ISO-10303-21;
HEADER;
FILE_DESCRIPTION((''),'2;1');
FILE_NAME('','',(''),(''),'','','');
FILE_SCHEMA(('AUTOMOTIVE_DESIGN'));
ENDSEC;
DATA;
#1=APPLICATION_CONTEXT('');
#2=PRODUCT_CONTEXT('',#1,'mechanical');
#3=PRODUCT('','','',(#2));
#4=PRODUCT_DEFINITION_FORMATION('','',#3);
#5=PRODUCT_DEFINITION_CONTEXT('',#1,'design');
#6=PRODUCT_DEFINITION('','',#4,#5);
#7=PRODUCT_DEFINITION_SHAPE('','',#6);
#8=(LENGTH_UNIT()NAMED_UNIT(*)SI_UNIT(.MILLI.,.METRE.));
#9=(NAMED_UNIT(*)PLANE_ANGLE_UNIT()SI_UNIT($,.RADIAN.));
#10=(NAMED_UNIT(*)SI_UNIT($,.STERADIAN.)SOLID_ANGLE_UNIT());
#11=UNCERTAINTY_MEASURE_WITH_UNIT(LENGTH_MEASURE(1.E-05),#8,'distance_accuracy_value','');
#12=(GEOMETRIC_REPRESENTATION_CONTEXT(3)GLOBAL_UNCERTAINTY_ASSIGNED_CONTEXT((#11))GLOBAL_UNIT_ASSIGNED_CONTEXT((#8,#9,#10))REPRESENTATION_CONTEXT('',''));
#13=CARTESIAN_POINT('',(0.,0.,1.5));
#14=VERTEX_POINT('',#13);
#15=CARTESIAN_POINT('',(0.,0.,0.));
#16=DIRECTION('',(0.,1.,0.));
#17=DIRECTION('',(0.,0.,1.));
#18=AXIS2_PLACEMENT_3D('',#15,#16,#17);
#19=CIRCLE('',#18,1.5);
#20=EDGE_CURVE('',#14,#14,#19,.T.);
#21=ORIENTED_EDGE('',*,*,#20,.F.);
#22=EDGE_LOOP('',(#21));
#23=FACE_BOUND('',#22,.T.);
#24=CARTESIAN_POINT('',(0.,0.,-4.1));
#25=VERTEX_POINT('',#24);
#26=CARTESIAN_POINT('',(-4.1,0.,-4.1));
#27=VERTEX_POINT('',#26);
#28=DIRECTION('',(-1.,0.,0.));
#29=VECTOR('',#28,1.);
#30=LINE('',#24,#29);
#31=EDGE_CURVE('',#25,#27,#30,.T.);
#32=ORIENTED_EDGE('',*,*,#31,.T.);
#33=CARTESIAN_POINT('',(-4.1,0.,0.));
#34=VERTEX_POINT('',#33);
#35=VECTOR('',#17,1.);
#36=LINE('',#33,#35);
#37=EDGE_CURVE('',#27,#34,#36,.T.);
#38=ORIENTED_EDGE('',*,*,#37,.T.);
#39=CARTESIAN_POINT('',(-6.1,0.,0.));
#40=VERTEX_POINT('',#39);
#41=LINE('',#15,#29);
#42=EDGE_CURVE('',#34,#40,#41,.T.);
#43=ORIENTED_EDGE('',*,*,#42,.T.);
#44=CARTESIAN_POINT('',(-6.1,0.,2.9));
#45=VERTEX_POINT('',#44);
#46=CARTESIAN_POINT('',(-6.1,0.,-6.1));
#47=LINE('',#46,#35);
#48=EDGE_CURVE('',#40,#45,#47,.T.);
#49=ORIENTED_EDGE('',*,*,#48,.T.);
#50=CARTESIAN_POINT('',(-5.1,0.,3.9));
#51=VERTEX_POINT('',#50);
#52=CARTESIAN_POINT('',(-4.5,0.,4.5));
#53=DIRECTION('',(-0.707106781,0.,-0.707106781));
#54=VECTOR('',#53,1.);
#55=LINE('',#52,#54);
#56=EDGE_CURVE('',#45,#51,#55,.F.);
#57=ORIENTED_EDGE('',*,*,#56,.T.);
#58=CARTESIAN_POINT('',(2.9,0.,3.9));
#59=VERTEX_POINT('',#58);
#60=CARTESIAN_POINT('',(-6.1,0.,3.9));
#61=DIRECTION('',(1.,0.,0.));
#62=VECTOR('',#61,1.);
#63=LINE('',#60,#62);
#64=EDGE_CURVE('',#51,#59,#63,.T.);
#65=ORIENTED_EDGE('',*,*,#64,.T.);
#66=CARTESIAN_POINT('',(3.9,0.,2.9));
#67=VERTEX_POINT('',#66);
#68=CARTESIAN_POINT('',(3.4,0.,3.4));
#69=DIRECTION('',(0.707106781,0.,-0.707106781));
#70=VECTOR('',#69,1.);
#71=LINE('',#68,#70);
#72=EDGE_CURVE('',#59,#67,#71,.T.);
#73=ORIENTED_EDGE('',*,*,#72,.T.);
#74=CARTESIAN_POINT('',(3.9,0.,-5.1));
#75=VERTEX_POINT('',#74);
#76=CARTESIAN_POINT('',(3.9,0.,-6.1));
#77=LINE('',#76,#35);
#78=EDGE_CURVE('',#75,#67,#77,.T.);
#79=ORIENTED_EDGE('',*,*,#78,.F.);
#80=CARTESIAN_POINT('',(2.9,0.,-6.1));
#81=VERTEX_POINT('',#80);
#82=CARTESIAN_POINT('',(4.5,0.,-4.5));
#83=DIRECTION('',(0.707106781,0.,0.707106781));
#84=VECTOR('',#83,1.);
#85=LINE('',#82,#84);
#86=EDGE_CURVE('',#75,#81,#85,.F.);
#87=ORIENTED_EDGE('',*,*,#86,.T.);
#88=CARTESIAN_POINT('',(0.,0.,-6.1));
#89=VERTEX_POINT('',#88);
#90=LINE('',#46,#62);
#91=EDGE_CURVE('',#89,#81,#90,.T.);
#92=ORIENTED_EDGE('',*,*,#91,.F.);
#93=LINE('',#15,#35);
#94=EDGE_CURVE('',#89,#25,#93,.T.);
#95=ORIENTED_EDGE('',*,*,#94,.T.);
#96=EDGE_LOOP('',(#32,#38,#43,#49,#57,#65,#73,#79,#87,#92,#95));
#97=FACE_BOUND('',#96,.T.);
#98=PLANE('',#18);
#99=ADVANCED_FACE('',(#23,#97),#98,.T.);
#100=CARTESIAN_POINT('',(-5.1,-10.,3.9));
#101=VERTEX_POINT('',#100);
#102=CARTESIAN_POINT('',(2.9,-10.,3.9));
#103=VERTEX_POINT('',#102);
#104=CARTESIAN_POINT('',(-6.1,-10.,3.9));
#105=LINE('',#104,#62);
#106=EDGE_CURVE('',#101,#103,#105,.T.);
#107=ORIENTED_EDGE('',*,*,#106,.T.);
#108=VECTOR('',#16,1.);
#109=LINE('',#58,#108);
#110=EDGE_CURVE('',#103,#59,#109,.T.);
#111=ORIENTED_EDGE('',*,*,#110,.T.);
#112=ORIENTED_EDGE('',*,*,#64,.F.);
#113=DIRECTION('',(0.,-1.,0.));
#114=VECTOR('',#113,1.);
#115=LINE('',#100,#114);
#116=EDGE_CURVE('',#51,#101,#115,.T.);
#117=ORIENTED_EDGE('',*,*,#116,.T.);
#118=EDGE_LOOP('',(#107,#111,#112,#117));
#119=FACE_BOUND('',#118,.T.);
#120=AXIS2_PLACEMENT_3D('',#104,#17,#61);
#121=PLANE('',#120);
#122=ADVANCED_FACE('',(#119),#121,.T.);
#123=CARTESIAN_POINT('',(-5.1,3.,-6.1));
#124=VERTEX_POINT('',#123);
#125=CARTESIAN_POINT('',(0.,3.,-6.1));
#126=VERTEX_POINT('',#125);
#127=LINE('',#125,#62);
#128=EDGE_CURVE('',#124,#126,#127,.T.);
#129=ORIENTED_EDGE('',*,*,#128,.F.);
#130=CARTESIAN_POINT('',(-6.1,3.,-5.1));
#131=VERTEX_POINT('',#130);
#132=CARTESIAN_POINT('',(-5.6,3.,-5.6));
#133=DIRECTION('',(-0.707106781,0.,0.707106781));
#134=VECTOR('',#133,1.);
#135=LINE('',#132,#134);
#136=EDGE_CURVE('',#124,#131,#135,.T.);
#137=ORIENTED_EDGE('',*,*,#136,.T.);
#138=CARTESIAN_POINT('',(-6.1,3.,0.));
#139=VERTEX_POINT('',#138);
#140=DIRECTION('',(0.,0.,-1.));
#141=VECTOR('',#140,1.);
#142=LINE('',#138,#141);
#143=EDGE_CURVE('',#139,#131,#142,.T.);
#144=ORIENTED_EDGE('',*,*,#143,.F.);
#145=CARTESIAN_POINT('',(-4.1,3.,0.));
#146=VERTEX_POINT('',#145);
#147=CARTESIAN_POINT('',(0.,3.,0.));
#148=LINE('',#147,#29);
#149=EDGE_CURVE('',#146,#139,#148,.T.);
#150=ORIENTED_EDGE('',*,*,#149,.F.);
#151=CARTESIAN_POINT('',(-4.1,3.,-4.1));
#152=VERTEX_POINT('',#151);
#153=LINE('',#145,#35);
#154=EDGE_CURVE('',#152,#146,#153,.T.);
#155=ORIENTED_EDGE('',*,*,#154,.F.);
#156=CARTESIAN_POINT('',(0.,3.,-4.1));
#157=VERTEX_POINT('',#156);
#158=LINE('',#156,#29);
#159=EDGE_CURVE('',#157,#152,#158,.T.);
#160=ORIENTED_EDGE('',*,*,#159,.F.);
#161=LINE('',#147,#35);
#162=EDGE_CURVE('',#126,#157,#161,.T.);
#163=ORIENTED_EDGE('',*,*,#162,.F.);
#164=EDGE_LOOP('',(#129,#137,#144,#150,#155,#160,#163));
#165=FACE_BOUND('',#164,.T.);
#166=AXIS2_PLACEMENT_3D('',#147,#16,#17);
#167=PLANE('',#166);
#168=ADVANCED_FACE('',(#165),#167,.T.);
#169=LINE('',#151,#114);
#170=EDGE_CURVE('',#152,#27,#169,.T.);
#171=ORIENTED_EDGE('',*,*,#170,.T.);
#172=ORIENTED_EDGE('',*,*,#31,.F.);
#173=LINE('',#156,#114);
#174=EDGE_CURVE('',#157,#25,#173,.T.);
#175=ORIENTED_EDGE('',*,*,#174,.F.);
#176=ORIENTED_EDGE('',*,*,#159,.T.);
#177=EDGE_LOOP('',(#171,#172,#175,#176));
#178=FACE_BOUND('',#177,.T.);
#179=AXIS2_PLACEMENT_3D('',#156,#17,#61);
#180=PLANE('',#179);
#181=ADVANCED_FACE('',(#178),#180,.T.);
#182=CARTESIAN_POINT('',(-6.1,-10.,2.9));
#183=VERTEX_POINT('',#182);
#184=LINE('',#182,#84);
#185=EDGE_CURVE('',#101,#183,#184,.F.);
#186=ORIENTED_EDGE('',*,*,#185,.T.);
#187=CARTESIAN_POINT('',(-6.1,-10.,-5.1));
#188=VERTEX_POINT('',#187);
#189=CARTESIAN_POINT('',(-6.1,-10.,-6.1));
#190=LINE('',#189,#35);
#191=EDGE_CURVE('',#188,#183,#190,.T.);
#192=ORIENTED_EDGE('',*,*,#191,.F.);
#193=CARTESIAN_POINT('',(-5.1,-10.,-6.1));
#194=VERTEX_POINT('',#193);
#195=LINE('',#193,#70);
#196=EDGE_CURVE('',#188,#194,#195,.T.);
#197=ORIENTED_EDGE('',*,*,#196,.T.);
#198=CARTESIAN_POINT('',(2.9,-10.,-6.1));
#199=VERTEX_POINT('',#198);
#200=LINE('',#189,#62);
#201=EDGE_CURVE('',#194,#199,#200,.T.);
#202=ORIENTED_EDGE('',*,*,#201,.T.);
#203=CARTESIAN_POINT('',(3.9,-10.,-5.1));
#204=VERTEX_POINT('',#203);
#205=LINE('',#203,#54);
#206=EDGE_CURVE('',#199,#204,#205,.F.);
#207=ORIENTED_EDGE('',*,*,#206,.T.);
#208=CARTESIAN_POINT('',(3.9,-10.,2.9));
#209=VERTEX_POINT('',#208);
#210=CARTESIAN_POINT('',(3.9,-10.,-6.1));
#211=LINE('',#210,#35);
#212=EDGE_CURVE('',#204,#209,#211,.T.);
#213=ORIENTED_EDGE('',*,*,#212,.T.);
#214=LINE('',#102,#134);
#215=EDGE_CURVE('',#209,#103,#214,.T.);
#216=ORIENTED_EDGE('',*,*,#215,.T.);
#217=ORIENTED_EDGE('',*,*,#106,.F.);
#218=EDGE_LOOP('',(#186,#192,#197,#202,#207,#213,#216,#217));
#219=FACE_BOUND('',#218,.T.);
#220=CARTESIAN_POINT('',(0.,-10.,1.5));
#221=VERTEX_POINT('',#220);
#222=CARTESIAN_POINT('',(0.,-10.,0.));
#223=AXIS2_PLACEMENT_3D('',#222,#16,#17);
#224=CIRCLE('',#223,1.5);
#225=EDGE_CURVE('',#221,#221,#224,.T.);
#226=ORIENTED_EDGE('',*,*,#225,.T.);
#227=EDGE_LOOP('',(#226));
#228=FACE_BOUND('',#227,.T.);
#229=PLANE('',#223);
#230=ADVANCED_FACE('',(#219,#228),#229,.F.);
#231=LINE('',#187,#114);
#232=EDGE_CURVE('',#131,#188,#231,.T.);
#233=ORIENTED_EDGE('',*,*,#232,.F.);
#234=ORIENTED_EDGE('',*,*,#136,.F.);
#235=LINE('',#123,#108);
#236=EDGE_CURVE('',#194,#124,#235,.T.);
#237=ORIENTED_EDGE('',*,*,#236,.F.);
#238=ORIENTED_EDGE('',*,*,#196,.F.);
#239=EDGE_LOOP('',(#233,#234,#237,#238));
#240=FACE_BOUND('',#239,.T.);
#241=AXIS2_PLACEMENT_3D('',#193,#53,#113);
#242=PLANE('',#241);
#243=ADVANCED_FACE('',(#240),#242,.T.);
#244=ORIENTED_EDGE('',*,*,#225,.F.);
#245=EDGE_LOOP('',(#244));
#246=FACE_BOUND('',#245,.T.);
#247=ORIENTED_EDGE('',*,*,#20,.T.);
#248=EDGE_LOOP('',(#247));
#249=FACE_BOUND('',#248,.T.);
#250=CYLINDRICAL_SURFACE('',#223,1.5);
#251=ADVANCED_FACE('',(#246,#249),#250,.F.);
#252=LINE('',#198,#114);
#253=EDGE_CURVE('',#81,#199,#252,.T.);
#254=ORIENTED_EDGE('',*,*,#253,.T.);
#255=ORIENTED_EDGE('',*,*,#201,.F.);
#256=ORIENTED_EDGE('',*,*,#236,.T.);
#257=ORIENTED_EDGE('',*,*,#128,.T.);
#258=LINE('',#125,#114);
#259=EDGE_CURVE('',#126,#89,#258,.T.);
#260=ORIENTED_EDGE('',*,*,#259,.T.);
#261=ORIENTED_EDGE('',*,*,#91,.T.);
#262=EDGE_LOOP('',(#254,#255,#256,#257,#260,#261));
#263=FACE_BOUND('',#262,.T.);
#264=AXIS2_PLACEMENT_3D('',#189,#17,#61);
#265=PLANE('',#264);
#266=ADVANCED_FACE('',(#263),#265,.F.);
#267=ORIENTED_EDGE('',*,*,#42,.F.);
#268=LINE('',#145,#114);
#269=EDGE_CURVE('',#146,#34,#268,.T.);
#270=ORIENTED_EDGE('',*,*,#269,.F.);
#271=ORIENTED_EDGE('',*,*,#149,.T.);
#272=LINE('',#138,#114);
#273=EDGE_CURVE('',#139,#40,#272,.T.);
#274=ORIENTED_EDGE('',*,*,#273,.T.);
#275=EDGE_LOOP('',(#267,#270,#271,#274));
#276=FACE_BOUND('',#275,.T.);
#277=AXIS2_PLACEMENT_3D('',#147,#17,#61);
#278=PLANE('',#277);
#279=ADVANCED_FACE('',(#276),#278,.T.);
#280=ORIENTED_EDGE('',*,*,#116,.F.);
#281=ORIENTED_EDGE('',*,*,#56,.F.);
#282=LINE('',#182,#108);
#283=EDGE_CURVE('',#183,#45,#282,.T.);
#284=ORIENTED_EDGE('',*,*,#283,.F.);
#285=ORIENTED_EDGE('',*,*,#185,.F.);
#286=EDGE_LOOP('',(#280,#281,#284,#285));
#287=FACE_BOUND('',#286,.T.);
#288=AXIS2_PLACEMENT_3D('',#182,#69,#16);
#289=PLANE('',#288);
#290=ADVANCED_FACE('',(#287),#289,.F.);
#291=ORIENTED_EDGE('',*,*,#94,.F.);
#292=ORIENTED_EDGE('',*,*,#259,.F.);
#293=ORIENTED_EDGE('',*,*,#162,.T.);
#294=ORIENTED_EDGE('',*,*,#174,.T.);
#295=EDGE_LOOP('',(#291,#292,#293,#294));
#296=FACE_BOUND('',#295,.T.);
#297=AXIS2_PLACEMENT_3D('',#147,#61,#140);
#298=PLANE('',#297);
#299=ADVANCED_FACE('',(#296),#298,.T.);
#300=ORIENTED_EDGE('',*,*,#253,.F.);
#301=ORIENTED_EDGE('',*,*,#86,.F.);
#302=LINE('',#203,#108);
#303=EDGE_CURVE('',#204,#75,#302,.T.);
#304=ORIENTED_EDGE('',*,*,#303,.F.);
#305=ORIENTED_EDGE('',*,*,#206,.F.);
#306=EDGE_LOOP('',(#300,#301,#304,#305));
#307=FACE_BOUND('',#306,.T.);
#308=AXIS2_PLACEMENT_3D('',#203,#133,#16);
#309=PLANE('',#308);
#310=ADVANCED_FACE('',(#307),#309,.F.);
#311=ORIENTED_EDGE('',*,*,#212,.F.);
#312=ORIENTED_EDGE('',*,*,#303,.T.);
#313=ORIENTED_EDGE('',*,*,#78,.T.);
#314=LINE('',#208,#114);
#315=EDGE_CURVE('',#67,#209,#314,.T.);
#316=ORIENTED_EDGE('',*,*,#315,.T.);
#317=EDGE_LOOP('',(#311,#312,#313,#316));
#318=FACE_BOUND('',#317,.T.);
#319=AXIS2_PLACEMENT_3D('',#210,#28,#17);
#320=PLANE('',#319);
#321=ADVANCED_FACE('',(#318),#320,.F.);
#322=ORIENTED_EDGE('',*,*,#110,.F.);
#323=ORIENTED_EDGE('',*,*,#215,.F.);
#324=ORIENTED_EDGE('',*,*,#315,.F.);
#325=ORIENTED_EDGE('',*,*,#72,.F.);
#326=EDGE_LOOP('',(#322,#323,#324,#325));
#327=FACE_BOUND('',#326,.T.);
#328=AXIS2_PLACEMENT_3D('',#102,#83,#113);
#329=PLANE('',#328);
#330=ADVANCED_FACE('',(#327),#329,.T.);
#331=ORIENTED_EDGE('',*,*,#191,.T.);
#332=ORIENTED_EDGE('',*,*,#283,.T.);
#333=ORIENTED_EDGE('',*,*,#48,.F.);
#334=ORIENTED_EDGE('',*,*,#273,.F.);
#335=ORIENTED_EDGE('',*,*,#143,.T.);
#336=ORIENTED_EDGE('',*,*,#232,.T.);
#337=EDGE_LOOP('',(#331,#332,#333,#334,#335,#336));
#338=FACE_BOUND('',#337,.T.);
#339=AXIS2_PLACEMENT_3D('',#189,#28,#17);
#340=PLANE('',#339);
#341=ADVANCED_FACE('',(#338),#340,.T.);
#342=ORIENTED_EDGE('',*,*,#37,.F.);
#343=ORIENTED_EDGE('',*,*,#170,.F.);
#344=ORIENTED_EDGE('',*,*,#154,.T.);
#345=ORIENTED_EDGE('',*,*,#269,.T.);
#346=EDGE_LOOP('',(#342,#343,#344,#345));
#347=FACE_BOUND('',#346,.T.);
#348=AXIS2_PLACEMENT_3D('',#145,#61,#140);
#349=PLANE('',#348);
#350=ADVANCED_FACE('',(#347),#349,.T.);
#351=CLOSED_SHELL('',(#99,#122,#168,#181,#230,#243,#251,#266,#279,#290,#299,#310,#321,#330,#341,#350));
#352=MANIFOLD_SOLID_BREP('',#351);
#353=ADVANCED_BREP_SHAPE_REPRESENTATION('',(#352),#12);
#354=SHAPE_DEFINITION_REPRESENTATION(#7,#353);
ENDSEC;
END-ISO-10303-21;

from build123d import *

# Parameters (mm, degrees)
SKETCH1_W           = 10
SKETCH1_H           = 10
BOSS_EXTRUDE1_DEPTH = 10
BOSS_EXTRUDE2_DEPTH = 3
CHAMFER1_SIZE       = 1
SKETCH1_4_R         = 1.5
CUT_EXTRUDE1_DEPTH  = 14.206816422


with BuildPart() as part:
    # Sketch1 → Boss-Extrude1 (new body)
    with BuildSketch(Plane(origin=(0, 0, 0), x_dir=(1, 0, 0), z_dir=(0, 1, 0))):
        with Locations((-1.1, 1.1)):
            Rectangle(SKETCH1_W, SKETCH1_H)
    extrude(amount=-BOSS_EXTRUDE1_DEPTH)

    # Sketch1<3> → Boss-Extrude2 (add)
    with BuildSketch(Plane(origin=(0, 0, 0), x_dir=(1, 0, 0), z_dir=(0, 1, 0))):
        Polygon((-4.1, 4.1), (0, 4.1), (0, 6.1), (-6.1, 6.1), (-6.1, 0), (-4.1, 0), align=None)
    extrude(amount=BOSS_EXTRUDE2_DEPTH)

    # Chamfer1
    chamfer1_edges = [part.edges().sort_by_distance(p)[0] for p in [
        (-6.1, -3.5, -6.1),
        (3.9, -5, -6.1),
        (-6.1, -5, 3.9),
        (3.9, -5, 3.9),
    ]]
    chamfer(chamfer1_edges, length=CHAMFER1_SIZE)

    # Sketch1<4> → Cut-Extrude1 (cut, through all)
    with BuildSketch(Plane(origin=(0, 0, 0), x_dir=(1, 0, 0), z_dir=(0, 1, 0))):
        Circle(SKETCH1_4_R)
    extrude(amount=-CUT_EXTRUDE1_DEPTH, mode=Mode.SUBTRACT)


solid = part.part
